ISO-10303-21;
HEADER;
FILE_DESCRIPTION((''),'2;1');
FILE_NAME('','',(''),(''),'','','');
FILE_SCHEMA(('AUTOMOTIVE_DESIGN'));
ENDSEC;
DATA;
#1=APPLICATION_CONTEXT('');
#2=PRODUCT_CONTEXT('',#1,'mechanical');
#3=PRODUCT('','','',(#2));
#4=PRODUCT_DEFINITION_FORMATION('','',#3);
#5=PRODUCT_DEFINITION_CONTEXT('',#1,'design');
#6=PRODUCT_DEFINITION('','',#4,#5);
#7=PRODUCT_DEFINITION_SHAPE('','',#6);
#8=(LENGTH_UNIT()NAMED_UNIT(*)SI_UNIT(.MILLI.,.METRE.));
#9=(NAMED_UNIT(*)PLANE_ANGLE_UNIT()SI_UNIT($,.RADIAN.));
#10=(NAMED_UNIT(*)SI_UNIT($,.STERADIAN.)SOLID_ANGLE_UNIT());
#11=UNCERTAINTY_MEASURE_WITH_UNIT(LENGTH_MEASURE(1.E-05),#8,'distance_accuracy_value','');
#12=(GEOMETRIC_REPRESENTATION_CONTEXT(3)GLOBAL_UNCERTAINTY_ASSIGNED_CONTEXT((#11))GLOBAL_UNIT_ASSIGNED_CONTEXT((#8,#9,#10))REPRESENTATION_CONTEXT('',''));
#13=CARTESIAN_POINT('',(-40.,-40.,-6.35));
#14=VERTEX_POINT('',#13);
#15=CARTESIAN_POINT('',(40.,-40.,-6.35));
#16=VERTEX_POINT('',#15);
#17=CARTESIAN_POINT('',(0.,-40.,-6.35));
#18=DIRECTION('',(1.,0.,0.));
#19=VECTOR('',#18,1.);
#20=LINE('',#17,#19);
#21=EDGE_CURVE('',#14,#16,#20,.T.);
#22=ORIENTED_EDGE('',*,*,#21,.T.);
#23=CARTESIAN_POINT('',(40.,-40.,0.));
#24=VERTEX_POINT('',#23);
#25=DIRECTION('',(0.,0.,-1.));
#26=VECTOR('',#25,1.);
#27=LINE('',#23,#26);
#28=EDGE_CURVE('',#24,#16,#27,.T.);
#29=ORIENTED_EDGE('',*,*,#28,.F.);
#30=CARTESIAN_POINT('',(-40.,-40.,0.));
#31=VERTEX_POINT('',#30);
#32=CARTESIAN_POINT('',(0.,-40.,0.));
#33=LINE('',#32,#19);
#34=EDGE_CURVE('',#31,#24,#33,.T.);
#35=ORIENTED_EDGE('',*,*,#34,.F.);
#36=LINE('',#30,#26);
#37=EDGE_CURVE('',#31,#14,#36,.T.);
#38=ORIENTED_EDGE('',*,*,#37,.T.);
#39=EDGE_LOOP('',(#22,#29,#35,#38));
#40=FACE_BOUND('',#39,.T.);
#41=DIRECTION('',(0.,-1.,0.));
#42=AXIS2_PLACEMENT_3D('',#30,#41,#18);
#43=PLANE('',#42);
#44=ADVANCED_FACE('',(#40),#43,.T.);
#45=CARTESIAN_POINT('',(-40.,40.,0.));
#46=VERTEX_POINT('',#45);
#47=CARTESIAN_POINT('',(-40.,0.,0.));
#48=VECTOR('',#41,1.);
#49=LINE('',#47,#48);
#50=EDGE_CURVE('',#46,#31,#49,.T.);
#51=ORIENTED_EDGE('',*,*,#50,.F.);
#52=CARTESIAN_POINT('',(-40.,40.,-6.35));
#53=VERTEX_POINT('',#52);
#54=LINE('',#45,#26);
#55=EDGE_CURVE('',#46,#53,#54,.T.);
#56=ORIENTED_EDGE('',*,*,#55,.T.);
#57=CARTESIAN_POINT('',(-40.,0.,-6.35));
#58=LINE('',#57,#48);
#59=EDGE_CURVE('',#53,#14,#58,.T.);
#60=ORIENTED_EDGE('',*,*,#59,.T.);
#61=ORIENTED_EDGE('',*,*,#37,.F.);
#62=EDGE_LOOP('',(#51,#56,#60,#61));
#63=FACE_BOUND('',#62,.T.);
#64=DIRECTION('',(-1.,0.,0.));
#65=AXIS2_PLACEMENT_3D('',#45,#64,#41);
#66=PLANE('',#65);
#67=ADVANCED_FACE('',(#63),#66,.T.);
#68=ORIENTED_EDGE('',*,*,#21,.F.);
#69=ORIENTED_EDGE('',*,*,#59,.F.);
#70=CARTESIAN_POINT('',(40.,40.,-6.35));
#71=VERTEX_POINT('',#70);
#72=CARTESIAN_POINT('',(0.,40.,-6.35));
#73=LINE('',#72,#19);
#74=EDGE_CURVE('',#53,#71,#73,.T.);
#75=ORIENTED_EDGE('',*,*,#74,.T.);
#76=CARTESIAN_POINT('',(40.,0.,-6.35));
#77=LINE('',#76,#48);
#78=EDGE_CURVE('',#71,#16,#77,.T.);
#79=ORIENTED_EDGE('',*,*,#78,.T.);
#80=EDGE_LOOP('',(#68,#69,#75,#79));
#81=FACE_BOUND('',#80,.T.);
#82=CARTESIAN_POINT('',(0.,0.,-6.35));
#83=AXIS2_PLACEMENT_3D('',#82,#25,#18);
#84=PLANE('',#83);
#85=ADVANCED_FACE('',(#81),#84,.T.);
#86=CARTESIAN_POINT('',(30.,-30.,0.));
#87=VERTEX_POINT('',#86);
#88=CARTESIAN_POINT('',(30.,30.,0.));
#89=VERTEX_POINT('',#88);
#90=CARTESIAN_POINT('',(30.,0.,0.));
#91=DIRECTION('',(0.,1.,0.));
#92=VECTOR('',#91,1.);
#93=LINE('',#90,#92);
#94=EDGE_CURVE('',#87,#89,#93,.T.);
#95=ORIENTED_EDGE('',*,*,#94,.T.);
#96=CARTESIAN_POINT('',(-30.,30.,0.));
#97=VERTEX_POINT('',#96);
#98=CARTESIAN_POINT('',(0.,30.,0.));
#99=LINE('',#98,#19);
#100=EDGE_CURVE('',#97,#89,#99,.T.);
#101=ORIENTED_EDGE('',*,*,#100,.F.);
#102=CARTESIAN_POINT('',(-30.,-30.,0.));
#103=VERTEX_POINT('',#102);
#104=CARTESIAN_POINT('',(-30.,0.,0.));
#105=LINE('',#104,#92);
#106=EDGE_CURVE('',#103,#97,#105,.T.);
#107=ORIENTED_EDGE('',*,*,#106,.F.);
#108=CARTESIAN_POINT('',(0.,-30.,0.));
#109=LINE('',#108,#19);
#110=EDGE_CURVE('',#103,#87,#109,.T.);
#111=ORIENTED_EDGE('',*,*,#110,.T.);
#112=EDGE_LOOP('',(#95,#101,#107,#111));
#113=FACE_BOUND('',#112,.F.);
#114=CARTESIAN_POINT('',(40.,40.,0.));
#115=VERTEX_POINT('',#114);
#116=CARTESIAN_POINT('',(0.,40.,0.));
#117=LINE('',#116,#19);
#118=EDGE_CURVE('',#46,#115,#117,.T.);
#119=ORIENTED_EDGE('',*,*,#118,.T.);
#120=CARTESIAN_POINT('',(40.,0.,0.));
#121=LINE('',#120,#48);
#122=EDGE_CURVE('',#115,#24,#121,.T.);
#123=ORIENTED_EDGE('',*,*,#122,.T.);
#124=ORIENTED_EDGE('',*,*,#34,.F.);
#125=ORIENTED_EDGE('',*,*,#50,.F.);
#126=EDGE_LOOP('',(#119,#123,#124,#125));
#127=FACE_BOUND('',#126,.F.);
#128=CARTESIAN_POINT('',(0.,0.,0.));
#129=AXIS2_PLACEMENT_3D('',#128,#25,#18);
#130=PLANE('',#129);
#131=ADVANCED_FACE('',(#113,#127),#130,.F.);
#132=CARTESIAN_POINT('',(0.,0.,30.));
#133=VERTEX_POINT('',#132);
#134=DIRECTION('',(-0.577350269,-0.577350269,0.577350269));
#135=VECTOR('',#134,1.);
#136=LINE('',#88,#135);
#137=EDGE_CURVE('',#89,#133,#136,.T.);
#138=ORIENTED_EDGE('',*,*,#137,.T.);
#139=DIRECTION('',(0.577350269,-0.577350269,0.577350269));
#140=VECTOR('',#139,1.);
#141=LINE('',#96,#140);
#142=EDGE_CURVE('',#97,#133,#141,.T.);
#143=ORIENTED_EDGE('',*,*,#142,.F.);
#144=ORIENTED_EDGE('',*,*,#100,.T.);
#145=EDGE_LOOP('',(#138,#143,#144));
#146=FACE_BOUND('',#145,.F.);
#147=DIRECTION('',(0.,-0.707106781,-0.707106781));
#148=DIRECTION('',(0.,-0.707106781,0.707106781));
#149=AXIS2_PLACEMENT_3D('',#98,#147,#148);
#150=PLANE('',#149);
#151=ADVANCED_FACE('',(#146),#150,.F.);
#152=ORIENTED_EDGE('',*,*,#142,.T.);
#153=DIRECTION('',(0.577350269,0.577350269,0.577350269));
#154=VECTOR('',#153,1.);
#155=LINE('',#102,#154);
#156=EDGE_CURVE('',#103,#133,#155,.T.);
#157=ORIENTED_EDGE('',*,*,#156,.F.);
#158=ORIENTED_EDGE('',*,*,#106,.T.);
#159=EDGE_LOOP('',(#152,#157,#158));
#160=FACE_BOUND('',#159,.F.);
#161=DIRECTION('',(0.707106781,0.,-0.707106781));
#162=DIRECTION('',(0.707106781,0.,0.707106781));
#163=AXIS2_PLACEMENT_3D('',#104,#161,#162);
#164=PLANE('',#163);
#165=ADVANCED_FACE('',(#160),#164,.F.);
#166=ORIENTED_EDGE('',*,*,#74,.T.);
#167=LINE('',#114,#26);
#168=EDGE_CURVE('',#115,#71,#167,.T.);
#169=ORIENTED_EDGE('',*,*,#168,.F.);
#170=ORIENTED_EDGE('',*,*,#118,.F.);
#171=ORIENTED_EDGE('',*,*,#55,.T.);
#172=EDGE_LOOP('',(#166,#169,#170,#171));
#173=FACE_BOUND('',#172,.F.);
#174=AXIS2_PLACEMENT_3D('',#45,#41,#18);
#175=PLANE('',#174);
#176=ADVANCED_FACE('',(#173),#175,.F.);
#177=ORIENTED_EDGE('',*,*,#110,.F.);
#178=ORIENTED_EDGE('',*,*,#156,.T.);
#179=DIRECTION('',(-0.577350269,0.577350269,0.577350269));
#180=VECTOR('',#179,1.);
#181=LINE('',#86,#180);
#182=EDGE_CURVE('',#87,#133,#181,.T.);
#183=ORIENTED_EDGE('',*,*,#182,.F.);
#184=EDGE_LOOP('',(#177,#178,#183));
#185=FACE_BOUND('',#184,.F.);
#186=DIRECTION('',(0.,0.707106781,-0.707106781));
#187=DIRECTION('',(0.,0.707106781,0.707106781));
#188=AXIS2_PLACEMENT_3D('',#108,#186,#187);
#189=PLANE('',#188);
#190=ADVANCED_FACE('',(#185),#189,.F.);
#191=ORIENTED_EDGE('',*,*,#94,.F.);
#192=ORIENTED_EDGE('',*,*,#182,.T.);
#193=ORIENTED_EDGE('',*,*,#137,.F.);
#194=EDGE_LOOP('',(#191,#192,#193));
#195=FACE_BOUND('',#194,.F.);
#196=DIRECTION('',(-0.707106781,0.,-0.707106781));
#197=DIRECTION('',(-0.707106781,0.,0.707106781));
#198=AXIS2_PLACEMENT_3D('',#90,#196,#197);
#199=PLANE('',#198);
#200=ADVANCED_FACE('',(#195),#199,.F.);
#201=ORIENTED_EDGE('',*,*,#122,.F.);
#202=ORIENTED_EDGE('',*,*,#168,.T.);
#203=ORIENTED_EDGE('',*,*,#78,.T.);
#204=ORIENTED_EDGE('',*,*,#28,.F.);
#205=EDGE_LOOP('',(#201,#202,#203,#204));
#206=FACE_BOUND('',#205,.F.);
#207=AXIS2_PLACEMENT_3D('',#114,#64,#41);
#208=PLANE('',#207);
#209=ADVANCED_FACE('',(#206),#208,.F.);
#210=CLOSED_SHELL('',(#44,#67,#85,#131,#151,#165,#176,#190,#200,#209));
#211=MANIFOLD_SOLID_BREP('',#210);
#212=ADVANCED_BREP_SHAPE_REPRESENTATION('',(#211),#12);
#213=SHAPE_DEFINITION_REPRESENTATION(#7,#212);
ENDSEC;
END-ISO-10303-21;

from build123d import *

# Parameters (mm, degrees)
F0_W     = 60
F0_H     = 60
F1_DEPTH = 30
F1_TAPER = 45
F2_W     = 80
F2_H     = 80
F2_W_2   = 60
F2_H_2   = 60
F3_DEPTH = 6.35


with BuildPart() as f1:
    # F0 (on Top) → F1 (new body)
    with BuildSketch(Plane.XY):
        Rectangle(F0_W, F0_H)
    extrude(amount=F1_DEPTH, taper=F1_TAPER)

    # F2 (on face) → F3 (join)
    with BuildSketch(Plane(origin=(0, 0, 0), x_dir=(1, 0, 0), z_dir=(0, 0, -1))):
        Rectangle(F2_W, F2_H)
        Rectangle(F2_W_2, F2_H_2, mode=Mode.SUBTRACT)
        Rectangle(F2_W_2, F2_H_2)
    extrude(amount=F3_DEPTH)


solid = f1.part
